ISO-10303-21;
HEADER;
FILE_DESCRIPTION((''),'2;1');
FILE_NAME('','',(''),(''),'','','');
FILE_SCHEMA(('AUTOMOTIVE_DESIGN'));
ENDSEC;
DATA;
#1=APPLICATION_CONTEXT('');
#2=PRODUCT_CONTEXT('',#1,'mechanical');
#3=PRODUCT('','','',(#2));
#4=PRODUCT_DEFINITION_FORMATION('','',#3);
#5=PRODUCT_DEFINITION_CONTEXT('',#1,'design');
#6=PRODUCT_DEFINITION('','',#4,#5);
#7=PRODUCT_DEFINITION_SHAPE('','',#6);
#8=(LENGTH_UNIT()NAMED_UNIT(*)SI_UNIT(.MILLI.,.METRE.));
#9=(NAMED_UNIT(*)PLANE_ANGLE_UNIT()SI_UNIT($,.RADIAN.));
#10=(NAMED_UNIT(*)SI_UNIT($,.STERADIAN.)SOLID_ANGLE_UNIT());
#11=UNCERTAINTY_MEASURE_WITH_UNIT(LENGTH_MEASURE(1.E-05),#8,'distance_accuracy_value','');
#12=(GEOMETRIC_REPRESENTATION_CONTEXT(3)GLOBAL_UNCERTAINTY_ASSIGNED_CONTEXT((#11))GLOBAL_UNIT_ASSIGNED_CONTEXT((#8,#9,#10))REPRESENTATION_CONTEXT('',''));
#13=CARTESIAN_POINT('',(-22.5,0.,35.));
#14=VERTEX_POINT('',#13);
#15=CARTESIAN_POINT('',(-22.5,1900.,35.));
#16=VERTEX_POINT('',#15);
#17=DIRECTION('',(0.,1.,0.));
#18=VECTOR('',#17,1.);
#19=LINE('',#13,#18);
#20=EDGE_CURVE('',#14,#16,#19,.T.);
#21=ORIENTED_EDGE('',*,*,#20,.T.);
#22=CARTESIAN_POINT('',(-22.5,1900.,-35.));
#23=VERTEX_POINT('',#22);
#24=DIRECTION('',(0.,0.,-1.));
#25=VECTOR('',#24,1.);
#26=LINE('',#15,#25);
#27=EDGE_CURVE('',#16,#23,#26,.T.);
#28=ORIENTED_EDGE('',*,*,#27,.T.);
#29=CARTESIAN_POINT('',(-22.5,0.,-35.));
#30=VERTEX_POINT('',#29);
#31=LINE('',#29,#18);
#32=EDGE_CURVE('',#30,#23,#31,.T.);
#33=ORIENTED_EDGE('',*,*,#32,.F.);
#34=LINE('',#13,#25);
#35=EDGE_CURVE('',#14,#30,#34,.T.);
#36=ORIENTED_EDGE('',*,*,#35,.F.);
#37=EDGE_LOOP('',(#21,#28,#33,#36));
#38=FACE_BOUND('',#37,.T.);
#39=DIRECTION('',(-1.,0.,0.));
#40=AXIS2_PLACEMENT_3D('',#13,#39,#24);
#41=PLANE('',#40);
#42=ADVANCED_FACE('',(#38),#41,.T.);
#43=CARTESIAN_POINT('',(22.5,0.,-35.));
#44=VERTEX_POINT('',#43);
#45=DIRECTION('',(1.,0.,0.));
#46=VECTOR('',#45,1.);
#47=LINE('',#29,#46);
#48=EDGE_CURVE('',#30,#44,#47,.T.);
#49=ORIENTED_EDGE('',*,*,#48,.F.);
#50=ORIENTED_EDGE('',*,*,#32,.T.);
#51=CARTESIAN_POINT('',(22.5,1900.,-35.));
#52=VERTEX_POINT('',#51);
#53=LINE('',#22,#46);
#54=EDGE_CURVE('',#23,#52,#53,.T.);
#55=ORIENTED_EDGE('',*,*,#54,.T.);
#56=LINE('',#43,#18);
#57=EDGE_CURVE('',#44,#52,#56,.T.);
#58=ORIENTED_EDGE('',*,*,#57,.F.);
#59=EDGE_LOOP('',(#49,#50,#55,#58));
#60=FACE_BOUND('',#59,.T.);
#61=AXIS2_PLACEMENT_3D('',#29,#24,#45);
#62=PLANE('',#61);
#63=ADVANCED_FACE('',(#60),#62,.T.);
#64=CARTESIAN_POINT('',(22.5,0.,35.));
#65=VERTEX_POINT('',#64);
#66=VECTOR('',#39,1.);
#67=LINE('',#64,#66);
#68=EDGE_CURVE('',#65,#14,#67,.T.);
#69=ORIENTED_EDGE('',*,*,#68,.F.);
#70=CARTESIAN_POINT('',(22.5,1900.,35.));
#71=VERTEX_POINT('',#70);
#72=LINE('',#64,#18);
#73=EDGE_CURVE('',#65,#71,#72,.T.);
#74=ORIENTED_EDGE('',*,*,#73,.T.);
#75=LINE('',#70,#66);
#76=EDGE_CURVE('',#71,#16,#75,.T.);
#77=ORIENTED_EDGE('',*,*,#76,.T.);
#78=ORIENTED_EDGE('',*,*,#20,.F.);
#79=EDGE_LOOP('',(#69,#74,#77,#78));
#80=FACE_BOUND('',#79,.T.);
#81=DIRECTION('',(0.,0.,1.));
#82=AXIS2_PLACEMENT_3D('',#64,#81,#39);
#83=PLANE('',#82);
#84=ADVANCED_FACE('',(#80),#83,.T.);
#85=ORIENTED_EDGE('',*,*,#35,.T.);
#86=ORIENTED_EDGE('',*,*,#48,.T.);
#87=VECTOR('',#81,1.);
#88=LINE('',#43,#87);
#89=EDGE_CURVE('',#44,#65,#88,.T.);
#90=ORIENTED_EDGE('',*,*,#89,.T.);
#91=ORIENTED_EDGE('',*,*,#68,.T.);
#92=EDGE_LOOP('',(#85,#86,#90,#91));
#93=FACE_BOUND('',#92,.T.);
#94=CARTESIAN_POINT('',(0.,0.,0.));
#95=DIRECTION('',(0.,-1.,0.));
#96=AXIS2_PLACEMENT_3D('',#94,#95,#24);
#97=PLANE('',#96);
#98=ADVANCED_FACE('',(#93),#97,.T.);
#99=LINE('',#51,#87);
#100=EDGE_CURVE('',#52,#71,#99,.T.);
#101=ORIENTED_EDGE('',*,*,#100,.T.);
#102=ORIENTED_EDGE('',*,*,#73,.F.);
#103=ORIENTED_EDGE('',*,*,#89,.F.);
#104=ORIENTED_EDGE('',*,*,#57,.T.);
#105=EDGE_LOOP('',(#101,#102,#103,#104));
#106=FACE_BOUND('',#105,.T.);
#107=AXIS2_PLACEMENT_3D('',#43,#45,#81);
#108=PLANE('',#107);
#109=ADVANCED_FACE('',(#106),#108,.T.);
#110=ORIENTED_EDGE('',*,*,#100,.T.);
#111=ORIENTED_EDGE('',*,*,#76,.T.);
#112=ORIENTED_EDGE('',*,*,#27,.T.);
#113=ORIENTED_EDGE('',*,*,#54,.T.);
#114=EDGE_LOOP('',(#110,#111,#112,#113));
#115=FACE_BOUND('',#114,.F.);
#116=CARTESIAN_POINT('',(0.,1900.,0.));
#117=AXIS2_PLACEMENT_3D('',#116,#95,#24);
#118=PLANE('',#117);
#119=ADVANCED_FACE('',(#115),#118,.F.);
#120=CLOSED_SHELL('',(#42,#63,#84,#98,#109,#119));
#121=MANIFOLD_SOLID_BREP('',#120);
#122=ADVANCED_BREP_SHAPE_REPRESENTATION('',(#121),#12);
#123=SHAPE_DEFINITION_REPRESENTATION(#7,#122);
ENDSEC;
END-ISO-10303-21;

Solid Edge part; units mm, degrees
sketch "Sketch1" plane through (0, 0, 0) normal (0, -1, 0) x (1, 0, 0)
  line L0 (-22.5, -35) -> (22.5, -35)
  line L1 (22.5, -35) -> (22.5, 35)
  line L2 (22.5, 35) -> (-22.5, 35)
  line L3 (-22.5, 35) -> (-22.5, -35)
extrude "Protrusion1" add sketch "Sketch1" against normal blind 1900
properties material "Wood, Pine"
